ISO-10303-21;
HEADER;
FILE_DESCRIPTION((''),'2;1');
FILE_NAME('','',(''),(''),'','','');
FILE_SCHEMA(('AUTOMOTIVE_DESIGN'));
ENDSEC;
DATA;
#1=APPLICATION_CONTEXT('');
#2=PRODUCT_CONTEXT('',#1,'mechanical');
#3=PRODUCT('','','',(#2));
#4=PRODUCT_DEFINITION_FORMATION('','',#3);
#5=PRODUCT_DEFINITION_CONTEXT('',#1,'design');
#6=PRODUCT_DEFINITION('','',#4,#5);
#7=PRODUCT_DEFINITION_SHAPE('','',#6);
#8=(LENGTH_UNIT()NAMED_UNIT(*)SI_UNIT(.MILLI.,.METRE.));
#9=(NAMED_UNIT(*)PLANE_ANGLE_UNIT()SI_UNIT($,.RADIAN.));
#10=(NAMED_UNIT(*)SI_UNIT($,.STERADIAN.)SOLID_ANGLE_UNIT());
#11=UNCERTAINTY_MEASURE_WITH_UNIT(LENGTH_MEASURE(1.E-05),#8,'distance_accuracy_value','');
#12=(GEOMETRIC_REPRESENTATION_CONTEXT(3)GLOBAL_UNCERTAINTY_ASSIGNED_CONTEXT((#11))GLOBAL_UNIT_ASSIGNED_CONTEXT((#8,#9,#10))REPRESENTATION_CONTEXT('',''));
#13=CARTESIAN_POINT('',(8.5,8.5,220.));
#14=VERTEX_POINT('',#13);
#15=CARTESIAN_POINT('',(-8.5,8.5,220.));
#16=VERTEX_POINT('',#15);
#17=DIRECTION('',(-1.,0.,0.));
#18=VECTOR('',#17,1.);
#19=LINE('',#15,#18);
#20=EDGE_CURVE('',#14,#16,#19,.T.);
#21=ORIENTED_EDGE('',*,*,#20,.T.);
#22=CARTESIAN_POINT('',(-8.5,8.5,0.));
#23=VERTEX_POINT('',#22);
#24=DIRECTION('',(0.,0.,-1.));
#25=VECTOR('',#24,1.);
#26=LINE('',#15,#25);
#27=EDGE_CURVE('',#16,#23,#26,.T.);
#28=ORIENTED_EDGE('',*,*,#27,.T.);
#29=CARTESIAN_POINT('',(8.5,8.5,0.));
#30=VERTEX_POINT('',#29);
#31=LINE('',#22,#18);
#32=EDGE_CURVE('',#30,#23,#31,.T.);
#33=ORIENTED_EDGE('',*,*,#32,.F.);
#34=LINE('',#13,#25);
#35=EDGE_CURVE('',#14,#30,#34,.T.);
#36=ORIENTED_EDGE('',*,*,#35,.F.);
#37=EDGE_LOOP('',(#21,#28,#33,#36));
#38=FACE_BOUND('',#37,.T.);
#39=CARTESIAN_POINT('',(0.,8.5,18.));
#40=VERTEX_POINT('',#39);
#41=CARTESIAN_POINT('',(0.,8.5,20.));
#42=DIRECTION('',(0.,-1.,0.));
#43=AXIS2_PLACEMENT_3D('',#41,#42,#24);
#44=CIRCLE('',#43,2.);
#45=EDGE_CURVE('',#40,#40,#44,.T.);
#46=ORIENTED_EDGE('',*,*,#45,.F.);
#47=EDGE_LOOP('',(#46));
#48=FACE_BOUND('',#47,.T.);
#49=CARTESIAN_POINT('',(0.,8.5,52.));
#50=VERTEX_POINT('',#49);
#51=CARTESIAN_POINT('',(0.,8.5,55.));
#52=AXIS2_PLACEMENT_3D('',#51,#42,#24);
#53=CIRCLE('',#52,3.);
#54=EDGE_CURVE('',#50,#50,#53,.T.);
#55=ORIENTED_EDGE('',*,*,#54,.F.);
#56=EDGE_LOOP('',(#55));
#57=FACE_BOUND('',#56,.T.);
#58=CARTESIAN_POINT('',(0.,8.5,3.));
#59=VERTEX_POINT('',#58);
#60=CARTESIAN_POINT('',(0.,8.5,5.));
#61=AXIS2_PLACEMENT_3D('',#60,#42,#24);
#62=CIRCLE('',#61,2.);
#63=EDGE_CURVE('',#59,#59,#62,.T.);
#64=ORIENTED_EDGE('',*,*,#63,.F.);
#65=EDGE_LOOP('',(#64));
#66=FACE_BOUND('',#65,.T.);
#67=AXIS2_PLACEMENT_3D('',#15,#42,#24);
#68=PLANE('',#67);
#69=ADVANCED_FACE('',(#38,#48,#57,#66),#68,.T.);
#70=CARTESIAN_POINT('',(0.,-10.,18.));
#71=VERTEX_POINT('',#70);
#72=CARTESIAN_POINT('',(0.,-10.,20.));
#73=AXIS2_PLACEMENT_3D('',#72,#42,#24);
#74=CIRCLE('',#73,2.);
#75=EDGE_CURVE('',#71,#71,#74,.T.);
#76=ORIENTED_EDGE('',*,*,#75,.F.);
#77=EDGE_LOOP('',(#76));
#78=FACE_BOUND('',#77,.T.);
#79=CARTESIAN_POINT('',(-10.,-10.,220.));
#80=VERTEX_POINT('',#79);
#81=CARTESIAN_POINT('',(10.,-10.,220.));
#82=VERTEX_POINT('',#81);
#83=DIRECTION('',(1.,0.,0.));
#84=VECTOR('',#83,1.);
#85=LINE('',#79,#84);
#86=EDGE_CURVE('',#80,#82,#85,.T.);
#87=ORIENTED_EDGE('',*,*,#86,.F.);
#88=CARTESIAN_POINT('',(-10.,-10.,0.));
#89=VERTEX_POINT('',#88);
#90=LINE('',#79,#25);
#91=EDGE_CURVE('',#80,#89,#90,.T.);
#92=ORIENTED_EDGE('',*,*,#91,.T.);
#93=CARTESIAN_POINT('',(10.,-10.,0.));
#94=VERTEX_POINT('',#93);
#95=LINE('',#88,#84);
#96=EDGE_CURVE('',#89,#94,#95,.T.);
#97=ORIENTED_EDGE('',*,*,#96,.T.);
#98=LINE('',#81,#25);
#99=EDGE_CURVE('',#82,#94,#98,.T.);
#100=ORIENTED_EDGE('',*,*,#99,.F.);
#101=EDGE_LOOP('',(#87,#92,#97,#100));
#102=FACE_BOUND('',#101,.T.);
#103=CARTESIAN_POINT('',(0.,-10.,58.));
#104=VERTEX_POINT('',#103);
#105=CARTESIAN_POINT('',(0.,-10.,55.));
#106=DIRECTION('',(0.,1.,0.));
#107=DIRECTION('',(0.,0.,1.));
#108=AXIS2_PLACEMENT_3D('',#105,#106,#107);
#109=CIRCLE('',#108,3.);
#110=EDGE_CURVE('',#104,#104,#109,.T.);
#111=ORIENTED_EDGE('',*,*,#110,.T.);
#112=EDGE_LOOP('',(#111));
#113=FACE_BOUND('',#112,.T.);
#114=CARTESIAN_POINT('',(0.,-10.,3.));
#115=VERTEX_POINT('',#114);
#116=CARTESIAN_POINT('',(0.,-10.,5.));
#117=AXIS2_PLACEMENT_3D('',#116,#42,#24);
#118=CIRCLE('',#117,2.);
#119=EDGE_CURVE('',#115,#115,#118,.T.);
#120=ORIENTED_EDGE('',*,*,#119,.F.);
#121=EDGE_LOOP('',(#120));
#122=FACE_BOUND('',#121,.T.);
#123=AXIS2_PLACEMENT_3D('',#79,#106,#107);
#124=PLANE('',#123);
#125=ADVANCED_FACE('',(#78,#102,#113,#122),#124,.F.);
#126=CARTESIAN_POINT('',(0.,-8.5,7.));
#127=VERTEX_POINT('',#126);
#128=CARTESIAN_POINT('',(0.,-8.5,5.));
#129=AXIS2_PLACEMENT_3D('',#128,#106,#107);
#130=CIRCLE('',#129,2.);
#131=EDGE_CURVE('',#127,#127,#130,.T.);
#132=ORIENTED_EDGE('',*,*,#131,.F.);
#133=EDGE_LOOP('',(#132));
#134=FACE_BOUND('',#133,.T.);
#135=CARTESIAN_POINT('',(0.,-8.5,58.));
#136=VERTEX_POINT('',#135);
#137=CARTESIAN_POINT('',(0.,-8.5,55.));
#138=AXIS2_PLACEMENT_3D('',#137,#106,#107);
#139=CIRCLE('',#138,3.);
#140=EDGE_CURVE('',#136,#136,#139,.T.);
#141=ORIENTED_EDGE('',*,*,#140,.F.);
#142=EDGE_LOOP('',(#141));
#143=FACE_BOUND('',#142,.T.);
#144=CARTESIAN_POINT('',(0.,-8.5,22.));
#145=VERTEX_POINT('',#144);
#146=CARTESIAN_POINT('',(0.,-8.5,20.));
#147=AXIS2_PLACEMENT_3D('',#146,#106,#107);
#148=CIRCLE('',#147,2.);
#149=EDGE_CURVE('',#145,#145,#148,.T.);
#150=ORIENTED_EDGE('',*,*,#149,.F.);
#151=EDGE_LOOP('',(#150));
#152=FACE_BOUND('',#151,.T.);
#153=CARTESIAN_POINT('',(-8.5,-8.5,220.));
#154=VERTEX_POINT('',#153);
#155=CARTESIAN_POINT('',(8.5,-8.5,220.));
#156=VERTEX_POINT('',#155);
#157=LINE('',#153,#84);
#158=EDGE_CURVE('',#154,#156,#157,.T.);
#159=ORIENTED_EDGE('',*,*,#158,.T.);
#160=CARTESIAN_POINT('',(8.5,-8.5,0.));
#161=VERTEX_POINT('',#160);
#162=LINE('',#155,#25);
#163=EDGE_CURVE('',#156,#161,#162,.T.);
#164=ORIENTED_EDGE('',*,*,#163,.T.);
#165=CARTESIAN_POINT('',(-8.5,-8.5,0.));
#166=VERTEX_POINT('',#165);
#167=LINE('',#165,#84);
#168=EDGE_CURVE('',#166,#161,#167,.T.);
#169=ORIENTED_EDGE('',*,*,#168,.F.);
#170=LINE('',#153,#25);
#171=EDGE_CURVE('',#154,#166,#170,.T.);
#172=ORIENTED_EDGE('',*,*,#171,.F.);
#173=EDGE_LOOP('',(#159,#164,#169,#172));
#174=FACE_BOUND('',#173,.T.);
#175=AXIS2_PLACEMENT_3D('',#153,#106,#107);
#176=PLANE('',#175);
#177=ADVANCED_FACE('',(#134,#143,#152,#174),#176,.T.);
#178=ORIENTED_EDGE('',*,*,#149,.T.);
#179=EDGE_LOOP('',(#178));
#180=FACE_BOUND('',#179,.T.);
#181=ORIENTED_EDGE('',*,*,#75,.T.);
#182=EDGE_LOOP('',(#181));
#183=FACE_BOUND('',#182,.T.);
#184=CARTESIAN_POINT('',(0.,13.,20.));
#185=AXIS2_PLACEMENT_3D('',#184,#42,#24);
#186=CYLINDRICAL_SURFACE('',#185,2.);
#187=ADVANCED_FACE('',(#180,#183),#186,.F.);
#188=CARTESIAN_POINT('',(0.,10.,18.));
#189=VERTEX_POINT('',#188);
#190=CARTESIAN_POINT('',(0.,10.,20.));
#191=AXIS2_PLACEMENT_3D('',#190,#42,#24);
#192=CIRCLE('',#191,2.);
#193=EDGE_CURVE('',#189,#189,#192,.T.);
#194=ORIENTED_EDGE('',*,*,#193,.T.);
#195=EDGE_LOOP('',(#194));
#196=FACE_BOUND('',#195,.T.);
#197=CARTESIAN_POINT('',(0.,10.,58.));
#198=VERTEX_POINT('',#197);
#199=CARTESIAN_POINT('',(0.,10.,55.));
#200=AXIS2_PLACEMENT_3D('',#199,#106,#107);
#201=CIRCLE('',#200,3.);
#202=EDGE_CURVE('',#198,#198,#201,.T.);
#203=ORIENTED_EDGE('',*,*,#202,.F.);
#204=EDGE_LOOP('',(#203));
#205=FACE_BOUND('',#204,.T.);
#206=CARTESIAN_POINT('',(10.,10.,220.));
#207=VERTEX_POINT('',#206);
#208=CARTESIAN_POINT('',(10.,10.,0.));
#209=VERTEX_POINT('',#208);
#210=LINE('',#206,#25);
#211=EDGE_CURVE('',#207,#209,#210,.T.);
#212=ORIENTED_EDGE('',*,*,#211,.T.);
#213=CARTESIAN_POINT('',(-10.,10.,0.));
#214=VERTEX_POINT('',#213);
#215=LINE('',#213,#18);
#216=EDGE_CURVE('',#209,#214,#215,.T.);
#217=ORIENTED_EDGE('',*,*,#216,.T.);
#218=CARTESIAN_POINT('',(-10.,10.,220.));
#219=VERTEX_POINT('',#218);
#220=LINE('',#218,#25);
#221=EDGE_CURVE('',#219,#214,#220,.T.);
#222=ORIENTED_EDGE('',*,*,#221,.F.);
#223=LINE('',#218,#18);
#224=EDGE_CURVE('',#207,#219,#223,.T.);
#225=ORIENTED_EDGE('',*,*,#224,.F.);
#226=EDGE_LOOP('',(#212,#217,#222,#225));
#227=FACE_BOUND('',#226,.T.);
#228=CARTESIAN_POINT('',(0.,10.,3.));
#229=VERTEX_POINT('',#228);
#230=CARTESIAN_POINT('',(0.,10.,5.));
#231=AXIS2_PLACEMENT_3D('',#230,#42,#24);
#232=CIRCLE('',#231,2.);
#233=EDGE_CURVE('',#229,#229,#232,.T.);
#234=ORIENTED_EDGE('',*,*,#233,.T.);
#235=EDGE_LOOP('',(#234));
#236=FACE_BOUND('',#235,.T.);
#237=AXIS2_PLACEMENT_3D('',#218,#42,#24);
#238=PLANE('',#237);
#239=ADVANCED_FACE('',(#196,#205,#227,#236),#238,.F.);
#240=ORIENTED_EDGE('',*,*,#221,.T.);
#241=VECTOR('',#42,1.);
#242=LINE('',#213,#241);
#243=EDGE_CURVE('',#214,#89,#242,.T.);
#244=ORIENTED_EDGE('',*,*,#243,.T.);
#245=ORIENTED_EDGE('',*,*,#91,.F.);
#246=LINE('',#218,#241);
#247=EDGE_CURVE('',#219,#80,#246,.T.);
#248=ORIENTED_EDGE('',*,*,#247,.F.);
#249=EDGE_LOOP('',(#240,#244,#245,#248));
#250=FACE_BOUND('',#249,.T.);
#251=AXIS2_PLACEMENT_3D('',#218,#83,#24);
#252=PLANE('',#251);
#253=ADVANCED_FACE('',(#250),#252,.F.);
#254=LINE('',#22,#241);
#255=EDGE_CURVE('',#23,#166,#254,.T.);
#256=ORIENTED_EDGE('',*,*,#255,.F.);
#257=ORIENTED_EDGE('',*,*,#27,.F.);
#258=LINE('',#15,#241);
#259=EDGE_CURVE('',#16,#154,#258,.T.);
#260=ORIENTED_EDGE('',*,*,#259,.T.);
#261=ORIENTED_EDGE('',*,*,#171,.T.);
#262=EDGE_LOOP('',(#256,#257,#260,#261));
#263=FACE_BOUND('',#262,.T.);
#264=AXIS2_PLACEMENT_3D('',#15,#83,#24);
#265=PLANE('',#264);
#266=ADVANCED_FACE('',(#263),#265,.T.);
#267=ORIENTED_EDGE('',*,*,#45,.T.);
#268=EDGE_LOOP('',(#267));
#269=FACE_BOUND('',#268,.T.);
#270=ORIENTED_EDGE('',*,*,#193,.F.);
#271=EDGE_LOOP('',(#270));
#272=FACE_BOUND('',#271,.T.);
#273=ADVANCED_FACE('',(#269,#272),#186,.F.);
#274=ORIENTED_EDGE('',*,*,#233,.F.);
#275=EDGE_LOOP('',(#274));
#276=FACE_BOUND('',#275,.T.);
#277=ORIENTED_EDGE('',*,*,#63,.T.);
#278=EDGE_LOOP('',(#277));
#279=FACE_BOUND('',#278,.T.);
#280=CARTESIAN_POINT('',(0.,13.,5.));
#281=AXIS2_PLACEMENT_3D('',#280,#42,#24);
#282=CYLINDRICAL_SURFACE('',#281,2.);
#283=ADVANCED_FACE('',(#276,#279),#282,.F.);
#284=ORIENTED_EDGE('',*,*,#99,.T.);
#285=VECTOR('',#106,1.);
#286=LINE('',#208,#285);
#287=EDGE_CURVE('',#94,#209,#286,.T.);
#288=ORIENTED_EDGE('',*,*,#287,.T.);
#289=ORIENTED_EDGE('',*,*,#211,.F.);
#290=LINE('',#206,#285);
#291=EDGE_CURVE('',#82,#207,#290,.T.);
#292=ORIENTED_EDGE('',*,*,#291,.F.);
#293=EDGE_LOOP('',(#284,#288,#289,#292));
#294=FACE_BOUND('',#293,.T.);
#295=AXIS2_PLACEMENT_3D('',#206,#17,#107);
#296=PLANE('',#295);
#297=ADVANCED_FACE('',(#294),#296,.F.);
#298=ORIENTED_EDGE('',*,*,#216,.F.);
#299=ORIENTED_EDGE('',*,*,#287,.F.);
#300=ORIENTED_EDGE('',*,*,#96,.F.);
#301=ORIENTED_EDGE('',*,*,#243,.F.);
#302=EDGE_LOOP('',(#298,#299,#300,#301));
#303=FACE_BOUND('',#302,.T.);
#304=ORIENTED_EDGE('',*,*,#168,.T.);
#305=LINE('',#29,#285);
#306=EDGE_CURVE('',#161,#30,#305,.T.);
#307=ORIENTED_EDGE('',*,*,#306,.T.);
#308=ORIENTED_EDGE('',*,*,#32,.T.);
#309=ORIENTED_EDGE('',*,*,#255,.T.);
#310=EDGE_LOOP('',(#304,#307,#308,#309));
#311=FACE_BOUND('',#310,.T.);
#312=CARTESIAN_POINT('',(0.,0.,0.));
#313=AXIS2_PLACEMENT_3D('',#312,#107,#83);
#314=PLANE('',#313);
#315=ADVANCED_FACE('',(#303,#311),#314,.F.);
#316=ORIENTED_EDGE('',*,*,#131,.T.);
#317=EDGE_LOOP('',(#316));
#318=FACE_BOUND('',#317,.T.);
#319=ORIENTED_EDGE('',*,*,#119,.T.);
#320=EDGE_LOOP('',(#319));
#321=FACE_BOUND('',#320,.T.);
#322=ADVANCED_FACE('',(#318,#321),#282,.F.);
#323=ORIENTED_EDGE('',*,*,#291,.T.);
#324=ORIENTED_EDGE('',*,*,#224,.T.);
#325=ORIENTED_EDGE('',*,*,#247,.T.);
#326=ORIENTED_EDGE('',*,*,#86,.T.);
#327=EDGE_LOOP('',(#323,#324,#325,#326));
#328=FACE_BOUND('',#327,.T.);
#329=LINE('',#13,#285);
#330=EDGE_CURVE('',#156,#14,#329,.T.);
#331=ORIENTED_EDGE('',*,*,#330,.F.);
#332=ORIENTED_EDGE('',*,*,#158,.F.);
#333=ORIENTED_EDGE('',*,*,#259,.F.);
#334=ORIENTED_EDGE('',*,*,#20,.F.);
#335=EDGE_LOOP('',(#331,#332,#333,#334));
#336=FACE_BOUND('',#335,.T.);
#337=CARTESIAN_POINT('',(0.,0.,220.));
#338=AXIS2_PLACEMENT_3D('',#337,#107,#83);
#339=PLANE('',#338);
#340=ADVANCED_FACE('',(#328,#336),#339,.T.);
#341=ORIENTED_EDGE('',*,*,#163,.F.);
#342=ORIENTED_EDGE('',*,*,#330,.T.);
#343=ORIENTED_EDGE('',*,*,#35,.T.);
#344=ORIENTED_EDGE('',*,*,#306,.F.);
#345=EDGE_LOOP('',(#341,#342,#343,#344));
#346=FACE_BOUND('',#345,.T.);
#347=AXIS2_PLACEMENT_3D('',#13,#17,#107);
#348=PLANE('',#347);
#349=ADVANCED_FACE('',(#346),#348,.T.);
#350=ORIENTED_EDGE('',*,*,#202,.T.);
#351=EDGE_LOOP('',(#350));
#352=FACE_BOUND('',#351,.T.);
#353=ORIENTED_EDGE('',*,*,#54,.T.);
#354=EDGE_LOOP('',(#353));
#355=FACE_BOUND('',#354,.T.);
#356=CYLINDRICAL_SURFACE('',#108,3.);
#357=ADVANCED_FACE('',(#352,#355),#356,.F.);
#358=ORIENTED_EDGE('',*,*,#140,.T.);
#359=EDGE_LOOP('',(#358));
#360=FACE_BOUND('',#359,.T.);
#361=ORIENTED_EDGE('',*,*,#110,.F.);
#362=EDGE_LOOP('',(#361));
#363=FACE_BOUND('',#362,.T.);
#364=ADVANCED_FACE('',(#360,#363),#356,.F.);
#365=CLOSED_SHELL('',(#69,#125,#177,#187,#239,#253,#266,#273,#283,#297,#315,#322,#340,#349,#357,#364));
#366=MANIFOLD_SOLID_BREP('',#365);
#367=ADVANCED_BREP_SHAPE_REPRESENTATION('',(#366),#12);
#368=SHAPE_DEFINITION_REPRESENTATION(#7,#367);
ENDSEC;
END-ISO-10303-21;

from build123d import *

# Parameters (mm, degrees)
SKETCH_1_W          = 20
SKETCH_1_H          = 20
SKETCH_1_W_2        = 17
SKETCH_1_H_2        = 17
EXTRUDE_1_DEPTH     = 220
SKETCH_3_R          = 2
CUT_EXTRUDE_1_DEPTH = 23
SKETCH_4_R          = 3
CUT_EXTRUDE_2_DEPTH = 222.133443875


with BuildPart() as part:
    # 草图1 → 凸台-拉伸1 (new body)
    with BuildSketch(Plane.XY):
        Rectangle(SKETCH_1_W, SKETCH_1_H)
        Rectangle(SKETCH_1_W_2, SKETCH_1_H_2, mode=Mode.SUBTRACT)
    extrude(amount=EXTRUDE_1_DEPTH)

    # 草图3 → 切除-拉伸1 (cut)
    with BuildSketch(Plane.XZ.offset(10)):
        with Locations(Location((0, 20, 0), (0, 0, 270))):
            Circle(SKETCH_3_R)
        with Locations(Location((0, 5, 0), (0, 0, 270))):
            Circle(SKETCH_3_R)
    extrude(amount=-CUT_EXTRUDE_1_DEPTH, mode=Mode.SUBTRACT)

    # 草图4 → 切除-拉伸2 (cut, through all)
    with BuildSketch(Plane(origin=(0, 10, 0), x_dir=(1, 0, 0), z_dir=(0, 1, 0))):
        with Locations(Location((0, -55, 0), (0, 0, 270))):
            Circle(SKETCH_4_R)
    extrude(amount=-CUT_EXTRUDE_2_DEPTH, mode=Mode.SUBTRACT)


solid = part.part
